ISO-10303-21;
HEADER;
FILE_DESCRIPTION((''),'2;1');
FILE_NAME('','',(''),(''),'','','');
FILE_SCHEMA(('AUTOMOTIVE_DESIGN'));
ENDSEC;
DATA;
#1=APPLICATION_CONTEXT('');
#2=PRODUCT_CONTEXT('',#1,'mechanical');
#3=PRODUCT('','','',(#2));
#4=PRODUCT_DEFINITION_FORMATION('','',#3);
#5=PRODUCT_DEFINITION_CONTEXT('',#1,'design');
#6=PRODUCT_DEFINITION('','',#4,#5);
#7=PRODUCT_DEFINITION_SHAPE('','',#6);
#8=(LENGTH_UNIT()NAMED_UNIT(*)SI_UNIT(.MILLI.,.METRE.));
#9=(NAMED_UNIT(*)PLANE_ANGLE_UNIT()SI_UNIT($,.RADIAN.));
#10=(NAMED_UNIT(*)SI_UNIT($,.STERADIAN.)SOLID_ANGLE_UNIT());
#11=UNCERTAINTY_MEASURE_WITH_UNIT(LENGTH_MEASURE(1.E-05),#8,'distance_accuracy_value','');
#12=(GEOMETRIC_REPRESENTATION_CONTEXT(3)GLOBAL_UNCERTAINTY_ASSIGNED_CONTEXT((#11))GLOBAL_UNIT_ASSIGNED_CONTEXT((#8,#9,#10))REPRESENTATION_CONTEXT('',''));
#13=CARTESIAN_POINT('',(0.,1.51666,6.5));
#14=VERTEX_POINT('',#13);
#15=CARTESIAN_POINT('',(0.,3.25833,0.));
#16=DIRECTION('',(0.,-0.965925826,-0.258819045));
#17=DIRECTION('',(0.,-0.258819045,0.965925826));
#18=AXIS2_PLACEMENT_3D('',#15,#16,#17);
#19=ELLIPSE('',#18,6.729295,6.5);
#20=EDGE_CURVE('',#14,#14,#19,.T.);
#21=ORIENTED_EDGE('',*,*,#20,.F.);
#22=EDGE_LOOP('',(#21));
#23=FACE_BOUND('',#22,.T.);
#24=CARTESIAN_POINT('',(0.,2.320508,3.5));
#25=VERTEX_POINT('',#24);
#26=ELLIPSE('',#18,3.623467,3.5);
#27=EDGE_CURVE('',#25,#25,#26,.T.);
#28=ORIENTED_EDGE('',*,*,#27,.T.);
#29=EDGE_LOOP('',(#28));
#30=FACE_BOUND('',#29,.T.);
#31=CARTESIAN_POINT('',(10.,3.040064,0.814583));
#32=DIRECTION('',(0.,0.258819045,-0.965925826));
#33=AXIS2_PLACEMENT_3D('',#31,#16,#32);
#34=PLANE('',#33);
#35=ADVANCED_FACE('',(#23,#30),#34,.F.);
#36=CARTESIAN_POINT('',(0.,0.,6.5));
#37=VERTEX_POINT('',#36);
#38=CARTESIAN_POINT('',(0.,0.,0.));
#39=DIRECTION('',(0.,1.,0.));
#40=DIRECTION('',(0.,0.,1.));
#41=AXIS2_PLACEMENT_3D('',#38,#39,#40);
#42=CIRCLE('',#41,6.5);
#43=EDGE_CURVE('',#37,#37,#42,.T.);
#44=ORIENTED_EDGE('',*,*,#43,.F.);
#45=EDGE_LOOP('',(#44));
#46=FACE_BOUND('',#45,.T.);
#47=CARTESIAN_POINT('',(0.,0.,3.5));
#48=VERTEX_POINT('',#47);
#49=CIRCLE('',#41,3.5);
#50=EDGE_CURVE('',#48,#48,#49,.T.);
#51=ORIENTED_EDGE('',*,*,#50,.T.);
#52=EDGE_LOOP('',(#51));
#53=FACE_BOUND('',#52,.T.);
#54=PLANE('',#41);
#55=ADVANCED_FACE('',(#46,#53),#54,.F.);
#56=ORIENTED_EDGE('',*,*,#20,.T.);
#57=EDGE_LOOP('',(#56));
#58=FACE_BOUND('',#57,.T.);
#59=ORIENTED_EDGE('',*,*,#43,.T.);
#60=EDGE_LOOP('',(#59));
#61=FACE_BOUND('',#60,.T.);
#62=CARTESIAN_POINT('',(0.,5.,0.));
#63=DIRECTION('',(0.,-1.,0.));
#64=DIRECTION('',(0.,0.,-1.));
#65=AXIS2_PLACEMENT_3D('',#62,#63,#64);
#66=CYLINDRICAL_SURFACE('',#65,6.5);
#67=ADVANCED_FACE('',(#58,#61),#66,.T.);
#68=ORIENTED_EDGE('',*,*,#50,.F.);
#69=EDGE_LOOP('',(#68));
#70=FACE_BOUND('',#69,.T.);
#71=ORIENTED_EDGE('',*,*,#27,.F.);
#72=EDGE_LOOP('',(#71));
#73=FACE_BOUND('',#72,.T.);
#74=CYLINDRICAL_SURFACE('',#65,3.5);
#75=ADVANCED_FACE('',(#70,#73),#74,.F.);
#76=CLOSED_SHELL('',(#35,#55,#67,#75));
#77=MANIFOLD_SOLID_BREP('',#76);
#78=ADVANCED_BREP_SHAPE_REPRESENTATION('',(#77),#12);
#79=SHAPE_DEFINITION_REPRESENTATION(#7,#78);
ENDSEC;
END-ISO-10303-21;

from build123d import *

# Parameters (mm, degrees)
SKETCH1_R               = 6.5
SKETCH1_R_2             = 3.5
BOSS_EXTRUDE1_DEPTH     = 5
CUT_EXTRUDE1_DEPTH      = 10
CUT_EXTRUDE1_DEPTH_BACK = 10


with BuildPart() as part:
    # Sketch1 → Boss-Extrude1 (new body)
    with BuildSketch(Plane(origin=(0, 0, 0), x_dir=(1, 0, 0), z_dir=(0, 1, 0))):
        with Locations(Location((0, 0, 0), (0, 0, 270))):
            Circle(SKETCH1_R)
        with Locations(Location((0, 0, 0), (0, 0, 270))):
            Circle(SKETCH1_R_2, mode=Mode.SUBTRACT)
    extrude(amount=BOSS_EXTRUDE1_DEPTH)

    # Sketch2 → Cut-Extrude1 (cut, two sides: drawn at the far end of the back side and taken through both)
    with BuildSketch(Plane(origin=(0, 0, 0), x_dir=(0, 0, -1), z_dir=(1, 0, 0)).offset(-CUT_EXTRUDE1_DEPTH_BACK)):
        Polygon((-6.5, 5), (6.5, 5), (-6.5, 1.516660498), align=None)
    extrude(amount=CUT_EXTRUDE1_DEPTH + CUT_EXTRUDE1_DEPTH_BACK, mode=Mode.SUBTRACT)


solid = part.part
